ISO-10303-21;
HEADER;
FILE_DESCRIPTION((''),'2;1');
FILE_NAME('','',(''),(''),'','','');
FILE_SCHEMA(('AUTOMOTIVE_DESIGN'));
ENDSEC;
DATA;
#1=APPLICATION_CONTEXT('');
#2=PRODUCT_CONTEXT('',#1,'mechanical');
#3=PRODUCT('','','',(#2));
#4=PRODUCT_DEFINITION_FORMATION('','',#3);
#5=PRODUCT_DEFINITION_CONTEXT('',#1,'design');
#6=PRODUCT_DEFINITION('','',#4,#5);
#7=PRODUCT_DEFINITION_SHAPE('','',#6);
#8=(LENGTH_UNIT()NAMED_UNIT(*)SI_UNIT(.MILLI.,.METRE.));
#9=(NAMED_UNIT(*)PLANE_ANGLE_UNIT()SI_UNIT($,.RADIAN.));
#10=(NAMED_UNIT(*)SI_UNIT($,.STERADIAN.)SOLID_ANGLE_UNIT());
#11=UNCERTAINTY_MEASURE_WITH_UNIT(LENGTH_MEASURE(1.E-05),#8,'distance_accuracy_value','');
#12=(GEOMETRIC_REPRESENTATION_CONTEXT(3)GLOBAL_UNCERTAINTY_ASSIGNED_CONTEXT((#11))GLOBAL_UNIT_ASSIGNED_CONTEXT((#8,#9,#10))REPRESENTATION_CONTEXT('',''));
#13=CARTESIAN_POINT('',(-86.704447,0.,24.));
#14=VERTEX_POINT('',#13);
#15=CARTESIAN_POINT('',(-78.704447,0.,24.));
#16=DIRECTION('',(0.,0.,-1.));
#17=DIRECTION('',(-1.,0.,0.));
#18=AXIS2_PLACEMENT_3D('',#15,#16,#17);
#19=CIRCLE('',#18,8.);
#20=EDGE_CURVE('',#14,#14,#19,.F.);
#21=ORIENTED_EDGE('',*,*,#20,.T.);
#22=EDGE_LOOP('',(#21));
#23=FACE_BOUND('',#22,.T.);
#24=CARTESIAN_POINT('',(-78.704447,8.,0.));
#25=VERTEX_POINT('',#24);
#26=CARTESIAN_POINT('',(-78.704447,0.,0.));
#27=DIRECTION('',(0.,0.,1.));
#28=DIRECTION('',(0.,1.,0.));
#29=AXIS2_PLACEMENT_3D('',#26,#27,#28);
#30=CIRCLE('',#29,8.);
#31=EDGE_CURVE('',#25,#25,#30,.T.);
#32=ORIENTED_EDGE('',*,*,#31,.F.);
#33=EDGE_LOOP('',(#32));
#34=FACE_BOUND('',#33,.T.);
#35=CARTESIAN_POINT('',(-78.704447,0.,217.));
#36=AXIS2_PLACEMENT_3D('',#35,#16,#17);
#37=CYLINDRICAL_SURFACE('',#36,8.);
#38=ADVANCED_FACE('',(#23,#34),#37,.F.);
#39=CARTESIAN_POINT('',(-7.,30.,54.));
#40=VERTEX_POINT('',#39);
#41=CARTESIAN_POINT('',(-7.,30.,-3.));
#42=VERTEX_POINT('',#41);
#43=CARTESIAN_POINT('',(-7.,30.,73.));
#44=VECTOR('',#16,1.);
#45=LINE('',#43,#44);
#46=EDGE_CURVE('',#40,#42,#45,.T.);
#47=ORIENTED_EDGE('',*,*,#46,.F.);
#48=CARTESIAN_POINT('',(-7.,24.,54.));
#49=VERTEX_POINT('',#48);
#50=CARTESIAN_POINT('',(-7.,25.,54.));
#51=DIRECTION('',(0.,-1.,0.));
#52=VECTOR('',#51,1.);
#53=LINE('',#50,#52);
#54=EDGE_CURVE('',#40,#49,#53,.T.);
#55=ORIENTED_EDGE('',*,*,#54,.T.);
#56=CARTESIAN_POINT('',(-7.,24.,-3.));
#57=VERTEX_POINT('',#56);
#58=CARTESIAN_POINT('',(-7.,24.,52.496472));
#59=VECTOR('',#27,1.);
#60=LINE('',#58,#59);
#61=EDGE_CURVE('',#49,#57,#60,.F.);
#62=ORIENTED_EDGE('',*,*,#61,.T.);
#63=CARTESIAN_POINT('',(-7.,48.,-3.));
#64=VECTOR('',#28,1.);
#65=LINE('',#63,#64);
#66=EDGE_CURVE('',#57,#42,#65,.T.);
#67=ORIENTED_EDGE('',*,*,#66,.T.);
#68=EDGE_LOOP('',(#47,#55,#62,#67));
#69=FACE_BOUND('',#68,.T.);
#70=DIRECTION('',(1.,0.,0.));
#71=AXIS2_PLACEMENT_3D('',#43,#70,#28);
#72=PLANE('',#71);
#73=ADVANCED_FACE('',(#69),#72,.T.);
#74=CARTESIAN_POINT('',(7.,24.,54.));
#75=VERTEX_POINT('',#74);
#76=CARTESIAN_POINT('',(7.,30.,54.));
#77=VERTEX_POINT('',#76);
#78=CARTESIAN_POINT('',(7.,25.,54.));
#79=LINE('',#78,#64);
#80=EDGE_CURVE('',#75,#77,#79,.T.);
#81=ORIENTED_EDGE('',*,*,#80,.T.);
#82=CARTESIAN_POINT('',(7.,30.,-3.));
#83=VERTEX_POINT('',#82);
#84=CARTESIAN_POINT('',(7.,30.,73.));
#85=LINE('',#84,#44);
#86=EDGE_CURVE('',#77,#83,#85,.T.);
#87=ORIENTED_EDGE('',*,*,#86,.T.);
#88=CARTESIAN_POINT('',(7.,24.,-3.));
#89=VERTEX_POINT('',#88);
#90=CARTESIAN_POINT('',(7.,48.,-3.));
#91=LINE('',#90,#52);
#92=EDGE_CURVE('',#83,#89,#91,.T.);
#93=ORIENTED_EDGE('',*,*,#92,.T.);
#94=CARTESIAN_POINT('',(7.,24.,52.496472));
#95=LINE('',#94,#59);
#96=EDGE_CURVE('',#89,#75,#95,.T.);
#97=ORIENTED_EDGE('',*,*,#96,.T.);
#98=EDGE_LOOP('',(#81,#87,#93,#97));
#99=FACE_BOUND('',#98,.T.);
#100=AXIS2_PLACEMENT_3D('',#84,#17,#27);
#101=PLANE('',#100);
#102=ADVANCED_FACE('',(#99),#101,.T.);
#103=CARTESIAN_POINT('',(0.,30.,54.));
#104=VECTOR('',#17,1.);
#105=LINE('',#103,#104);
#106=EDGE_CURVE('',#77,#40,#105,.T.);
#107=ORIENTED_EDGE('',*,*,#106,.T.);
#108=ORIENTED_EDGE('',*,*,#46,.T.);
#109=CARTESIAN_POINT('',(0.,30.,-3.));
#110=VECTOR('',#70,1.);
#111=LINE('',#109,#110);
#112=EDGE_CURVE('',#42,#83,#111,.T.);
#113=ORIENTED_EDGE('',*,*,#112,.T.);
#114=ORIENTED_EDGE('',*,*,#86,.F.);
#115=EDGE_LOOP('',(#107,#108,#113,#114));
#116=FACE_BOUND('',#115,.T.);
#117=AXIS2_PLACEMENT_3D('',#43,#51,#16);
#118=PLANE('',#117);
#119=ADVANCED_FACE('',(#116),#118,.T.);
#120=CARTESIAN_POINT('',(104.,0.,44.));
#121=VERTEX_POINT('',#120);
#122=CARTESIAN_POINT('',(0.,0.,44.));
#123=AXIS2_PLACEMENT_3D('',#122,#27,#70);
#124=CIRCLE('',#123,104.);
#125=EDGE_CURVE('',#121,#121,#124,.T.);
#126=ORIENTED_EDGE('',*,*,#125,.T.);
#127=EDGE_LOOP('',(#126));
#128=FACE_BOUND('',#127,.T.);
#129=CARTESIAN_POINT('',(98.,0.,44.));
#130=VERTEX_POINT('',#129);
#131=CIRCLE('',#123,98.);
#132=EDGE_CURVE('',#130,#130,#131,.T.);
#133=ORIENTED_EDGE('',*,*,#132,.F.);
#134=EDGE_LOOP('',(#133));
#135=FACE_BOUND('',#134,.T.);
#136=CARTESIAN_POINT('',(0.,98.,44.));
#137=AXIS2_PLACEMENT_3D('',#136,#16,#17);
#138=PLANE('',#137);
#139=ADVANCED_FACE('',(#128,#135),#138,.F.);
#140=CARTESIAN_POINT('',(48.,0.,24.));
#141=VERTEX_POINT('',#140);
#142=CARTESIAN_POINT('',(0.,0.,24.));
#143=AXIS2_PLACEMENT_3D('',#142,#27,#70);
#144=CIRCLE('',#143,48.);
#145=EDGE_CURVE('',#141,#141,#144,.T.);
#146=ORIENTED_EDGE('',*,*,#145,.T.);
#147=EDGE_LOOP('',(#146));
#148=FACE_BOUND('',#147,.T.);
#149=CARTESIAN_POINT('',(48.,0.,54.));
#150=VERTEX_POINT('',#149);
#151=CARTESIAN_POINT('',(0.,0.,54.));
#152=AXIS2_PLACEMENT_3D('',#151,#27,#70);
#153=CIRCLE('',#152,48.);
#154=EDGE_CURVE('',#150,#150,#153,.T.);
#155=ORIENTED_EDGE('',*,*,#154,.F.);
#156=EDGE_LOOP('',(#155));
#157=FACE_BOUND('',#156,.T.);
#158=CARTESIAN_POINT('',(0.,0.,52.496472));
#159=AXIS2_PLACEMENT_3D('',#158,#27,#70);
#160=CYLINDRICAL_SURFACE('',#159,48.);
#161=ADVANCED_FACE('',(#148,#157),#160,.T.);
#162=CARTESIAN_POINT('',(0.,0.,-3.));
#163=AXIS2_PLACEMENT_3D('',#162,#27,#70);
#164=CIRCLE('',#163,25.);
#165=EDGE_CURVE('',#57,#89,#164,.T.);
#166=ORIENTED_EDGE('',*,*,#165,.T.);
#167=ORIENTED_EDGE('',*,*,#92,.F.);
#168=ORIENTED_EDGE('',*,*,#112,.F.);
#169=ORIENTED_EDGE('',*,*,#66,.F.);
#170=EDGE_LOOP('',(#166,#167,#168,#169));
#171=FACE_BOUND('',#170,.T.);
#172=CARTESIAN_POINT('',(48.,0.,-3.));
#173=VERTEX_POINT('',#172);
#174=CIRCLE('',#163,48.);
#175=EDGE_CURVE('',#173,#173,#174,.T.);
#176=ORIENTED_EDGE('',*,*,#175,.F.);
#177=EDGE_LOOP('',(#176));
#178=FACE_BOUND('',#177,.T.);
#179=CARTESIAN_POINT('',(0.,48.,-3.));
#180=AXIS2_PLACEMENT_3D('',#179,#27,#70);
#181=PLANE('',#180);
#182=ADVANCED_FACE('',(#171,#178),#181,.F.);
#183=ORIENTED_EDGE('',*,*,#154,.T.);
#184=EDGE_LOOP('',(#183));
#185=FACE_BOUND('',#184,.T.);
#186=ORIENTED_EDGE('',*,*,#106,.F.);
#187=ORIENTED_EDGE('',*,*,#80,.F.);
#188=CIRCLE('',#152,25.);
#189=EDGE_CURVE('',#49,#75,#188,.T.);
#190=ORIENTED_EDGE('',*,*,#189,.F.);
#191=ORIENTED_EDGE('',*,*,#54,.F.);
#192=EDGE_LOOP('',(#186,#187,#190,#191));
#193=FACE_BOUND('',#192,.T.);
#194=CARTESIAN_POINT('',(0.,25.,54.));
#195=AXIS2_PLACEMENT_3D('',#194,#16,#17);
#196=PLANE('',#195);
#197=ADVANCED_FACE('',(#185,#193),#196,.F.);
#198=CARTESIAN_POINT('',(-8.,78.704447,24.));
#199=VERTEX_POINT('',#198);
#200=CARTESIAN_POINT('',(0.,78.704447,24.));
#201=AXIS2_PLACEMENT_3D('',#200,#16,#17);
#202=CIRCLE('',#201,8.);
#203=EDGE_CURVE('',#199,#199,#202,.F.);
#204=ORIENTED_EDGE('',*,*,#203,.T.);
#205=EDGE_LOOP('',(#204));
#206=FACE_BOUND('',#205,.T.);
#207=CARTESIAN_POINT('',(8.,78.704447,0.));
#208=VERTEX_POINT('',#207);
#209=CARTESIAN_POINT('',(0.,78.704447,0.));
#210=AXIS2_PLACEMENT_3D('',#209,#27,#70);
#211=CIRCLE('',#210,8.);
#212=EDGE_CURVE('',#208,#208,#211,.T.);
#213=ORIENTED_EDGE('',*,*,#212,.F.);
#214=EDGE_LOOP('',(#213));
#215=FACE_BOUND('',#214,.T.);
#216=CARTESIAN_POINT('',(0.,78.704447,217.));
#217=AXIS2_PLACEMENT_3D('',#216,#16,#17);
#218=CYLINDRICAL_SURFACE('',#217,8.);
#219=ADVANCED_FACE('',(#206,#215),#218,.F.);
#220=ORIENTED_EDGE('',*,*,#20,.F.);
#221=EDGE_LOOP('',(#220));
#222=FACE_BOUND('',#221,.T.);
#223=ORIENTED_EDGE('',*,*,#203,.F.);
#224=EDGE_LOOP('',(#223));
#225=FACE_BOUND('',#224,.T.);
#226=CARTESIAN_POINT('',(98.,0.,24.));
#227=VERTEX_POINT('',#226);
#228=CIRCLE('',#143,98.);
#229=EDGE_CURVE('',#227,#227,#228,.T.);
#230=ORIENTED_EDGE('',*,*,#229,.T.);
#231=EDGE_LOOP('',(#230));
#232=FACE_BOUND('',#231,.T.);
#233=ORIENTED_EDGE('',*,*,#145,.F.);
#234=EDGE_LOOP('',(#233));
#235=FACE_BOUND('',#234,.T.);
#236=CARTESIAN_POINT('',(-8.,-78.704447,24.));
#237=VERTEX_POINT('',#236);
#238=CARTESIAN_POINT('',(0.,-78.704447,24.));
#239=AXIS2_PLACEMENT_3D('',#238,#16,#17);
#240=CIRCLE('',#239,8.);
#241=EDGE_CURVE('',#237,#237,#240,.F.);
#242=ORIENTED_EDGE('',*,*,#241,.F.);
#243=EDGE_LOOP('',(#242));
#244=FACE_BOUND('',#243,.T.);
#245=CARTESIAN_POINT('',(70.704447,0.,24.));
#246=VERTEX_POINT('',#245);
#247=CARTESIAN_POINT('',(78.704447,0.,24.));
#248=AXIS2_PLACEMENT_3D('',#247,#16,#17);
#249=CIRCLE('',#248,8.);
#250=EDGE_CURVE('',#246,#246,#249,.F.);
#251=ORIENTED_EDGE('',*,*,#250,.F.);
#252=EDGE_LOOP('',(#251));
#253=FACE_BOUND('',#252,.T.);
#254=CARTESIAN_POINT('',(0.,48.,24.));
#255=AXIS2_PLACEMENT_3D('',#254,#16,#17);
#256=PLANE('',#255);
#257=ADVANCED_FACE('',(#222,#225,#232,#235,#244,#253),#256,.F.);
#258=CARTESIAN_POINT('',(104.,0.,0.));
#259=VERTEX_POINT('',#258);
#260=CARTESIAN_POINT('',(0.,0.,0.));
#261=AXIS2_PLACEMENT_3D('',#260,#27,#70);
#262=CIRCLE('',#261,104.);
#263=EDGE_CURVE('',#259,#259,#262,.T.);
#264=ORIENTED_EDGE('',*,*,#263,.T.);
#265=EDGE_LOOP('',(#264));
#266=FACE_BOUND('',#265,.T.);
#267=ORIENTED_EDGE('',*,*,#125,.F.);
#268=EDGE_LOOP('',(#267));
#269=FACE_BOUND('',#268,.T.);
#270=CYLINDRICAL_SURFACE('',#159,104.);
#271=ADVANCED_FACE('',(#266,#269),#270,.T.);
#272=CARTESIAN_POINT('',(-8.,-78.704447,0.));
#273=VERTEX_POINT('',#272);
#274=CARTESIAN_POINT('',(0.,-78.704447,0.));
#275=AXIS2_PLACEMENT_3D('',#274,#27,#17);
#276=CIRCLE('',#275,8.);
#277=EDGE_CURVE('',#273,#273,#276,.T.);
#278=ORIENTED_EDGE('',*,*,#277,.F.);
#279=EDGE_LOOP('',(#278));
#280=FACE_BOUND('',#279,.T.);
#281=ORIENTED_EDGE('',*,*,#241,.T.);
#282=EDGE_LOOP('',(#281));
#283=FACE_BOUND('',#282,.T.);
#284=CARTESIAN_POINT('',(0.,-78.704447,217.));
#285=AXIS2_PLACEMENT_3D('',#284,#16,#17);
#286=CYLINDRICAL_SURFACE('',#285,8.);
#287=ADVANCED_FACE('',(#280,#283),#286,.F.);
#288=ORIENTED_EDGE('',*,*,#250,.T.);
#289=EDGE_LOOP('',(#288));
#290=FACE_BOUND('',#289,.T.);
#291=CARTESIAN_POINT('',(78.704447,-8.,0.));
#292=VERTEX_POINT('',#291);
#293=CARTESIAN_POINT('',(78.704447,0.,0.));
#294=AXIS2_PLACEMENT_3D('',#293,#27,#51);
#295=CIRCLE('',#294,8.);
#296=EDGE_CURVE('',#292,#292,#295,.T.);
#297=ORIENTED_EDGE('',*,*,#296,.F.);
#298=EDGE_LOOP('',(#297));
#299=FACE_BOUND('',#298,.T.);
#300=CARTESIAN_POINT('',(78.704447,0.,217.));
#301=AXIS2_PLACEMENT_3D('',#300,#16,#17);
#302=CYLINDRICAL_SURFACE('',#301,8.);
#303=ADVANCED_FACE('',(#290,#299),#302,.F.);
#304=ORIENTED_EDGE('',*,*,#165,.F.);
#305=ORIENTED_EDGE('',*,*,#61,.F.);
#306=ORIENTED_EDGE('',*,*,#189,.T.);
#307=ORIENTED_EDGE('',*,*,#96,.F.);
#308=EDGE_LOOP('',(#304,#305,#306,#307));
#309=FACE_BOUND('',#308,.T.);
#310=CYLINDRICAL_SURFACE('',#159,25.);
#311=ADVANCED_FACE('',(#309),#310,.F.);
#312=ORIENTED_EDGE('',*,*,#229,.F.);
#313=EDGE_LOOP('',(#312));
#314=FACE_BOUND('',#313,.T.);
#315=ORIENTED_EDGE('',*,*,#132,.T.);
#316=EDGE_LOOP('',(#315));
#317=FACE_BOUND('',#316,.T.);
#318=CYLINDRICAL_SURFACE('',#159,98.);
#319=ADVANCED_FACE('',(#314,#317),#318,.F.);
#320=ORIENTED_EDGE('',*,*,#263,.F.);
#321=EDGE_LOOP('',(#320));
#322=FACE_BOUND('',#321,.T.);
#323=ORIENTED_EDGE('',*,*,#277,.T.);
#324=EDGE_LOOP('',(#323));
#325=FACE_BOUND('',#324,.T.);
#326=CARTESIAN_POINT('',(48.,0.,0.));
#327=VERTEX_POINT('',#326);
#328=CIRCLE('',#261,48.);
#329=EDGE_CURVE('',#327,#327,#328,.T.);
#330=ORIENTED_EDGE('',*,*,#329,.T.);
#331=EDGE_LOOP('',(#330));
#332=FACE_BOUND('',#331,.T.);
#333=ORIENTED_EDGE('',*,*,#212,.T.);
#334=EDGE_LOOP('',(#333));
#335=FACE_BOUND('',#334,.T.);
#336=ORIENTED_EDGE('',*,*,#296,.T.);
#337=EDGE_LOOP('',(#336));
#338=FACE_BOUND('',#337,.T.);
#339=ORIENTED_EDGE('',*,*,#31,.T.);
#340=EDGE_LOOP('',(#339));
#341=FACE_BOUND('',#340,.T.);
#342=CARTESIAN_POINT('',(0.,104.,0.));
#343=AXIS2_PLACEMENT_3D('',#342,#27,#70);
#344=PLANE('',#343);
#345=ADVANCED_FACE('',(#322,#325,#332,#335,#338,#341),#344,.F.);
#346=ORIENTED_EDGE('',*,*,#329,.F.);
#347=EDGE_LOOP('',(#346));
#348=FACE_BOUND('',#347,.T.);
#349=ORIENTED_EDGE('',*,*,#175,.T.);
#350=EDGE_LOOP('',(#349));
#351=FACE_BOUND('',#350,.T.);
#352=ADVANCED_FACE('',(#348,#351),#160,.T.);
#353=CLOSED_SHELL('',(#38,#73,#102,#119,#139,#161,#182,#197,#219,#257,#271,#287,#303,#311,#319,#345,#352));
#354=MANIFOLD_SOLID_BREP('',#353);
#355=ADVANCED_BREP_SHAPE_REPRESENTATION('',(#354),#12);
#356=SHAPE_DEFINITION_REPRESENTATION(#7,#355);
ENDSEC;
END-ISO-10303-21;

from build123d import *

# Parameters (mm, degrees)
SKETCH2_W          = 14
SKETCH2_H          = 10
CUT_EXTRUDE1_DEPTH = 73
SKETCH3_R          = 8
CUT_EXTRUDE2_DEPTH = 217
CIRPATTERN1_COUNT  = 4


with BuildPart() as part:
    # Sketch1 → Revolve1 (revolve)
    with BuildSketch(Plane(origin=(0, 0, 0), x_dir=(0, 0, -1), z_dir=(1, 0, 0)), mode=Mode.PRIVATE) as revolve1_sk:
        Polygon((-44, 104), (0, 104), (0, 48), (3, 48), (3, 25), (-54, 25), (-54, 48), (-24, 48), (-24, 98), (-44, 98), align=None)
    revolve(revolve1_sk.sketch.rotate(Axis((0, 0, 52.496471852), (0, 0, -1)), 90), axis=Axis((0, 0, 52.496471852), (0, 0, -1)))

    # Sketch2 → Cut-Extrude1 (cut, symmetric)
    with BuildSketch(Plane.XY):
        with Locations((0, 25)):
            Rectangle(SKETCH2_W, SKETCH2_H)
    extrude(amount=CUT_EXTRUDE1_DEPTH, both=True, mode=Mode.SUBTRACT)

    # Sketch3 → Cut-Extrude2 (cut)
    with BuildSketch(Plane.XY):
        with Locations(Location((0, 78.704447468, 0), (0, 0, 180))):
            Circle(SKETCH3_R)
    cut_extrude2 = extrude(amount=CUT_EXTRUDE2_DEPTH, mode=Mode.SUBTRACT)

    # CirPattern1: Cut-Extrude2 ×4 about axis
    cirpattern1_axis = Axis((0, 0, 0), (0, 0, 1))
    for i in range(1, CIRPATTERN1_COUNT):
        add(cut_extrude2.rotate(cirpattern1_axis, i * 360 / CIRPATTERN1_COUNT), mode=Mode.SUBTRACT)


solid = part.part
